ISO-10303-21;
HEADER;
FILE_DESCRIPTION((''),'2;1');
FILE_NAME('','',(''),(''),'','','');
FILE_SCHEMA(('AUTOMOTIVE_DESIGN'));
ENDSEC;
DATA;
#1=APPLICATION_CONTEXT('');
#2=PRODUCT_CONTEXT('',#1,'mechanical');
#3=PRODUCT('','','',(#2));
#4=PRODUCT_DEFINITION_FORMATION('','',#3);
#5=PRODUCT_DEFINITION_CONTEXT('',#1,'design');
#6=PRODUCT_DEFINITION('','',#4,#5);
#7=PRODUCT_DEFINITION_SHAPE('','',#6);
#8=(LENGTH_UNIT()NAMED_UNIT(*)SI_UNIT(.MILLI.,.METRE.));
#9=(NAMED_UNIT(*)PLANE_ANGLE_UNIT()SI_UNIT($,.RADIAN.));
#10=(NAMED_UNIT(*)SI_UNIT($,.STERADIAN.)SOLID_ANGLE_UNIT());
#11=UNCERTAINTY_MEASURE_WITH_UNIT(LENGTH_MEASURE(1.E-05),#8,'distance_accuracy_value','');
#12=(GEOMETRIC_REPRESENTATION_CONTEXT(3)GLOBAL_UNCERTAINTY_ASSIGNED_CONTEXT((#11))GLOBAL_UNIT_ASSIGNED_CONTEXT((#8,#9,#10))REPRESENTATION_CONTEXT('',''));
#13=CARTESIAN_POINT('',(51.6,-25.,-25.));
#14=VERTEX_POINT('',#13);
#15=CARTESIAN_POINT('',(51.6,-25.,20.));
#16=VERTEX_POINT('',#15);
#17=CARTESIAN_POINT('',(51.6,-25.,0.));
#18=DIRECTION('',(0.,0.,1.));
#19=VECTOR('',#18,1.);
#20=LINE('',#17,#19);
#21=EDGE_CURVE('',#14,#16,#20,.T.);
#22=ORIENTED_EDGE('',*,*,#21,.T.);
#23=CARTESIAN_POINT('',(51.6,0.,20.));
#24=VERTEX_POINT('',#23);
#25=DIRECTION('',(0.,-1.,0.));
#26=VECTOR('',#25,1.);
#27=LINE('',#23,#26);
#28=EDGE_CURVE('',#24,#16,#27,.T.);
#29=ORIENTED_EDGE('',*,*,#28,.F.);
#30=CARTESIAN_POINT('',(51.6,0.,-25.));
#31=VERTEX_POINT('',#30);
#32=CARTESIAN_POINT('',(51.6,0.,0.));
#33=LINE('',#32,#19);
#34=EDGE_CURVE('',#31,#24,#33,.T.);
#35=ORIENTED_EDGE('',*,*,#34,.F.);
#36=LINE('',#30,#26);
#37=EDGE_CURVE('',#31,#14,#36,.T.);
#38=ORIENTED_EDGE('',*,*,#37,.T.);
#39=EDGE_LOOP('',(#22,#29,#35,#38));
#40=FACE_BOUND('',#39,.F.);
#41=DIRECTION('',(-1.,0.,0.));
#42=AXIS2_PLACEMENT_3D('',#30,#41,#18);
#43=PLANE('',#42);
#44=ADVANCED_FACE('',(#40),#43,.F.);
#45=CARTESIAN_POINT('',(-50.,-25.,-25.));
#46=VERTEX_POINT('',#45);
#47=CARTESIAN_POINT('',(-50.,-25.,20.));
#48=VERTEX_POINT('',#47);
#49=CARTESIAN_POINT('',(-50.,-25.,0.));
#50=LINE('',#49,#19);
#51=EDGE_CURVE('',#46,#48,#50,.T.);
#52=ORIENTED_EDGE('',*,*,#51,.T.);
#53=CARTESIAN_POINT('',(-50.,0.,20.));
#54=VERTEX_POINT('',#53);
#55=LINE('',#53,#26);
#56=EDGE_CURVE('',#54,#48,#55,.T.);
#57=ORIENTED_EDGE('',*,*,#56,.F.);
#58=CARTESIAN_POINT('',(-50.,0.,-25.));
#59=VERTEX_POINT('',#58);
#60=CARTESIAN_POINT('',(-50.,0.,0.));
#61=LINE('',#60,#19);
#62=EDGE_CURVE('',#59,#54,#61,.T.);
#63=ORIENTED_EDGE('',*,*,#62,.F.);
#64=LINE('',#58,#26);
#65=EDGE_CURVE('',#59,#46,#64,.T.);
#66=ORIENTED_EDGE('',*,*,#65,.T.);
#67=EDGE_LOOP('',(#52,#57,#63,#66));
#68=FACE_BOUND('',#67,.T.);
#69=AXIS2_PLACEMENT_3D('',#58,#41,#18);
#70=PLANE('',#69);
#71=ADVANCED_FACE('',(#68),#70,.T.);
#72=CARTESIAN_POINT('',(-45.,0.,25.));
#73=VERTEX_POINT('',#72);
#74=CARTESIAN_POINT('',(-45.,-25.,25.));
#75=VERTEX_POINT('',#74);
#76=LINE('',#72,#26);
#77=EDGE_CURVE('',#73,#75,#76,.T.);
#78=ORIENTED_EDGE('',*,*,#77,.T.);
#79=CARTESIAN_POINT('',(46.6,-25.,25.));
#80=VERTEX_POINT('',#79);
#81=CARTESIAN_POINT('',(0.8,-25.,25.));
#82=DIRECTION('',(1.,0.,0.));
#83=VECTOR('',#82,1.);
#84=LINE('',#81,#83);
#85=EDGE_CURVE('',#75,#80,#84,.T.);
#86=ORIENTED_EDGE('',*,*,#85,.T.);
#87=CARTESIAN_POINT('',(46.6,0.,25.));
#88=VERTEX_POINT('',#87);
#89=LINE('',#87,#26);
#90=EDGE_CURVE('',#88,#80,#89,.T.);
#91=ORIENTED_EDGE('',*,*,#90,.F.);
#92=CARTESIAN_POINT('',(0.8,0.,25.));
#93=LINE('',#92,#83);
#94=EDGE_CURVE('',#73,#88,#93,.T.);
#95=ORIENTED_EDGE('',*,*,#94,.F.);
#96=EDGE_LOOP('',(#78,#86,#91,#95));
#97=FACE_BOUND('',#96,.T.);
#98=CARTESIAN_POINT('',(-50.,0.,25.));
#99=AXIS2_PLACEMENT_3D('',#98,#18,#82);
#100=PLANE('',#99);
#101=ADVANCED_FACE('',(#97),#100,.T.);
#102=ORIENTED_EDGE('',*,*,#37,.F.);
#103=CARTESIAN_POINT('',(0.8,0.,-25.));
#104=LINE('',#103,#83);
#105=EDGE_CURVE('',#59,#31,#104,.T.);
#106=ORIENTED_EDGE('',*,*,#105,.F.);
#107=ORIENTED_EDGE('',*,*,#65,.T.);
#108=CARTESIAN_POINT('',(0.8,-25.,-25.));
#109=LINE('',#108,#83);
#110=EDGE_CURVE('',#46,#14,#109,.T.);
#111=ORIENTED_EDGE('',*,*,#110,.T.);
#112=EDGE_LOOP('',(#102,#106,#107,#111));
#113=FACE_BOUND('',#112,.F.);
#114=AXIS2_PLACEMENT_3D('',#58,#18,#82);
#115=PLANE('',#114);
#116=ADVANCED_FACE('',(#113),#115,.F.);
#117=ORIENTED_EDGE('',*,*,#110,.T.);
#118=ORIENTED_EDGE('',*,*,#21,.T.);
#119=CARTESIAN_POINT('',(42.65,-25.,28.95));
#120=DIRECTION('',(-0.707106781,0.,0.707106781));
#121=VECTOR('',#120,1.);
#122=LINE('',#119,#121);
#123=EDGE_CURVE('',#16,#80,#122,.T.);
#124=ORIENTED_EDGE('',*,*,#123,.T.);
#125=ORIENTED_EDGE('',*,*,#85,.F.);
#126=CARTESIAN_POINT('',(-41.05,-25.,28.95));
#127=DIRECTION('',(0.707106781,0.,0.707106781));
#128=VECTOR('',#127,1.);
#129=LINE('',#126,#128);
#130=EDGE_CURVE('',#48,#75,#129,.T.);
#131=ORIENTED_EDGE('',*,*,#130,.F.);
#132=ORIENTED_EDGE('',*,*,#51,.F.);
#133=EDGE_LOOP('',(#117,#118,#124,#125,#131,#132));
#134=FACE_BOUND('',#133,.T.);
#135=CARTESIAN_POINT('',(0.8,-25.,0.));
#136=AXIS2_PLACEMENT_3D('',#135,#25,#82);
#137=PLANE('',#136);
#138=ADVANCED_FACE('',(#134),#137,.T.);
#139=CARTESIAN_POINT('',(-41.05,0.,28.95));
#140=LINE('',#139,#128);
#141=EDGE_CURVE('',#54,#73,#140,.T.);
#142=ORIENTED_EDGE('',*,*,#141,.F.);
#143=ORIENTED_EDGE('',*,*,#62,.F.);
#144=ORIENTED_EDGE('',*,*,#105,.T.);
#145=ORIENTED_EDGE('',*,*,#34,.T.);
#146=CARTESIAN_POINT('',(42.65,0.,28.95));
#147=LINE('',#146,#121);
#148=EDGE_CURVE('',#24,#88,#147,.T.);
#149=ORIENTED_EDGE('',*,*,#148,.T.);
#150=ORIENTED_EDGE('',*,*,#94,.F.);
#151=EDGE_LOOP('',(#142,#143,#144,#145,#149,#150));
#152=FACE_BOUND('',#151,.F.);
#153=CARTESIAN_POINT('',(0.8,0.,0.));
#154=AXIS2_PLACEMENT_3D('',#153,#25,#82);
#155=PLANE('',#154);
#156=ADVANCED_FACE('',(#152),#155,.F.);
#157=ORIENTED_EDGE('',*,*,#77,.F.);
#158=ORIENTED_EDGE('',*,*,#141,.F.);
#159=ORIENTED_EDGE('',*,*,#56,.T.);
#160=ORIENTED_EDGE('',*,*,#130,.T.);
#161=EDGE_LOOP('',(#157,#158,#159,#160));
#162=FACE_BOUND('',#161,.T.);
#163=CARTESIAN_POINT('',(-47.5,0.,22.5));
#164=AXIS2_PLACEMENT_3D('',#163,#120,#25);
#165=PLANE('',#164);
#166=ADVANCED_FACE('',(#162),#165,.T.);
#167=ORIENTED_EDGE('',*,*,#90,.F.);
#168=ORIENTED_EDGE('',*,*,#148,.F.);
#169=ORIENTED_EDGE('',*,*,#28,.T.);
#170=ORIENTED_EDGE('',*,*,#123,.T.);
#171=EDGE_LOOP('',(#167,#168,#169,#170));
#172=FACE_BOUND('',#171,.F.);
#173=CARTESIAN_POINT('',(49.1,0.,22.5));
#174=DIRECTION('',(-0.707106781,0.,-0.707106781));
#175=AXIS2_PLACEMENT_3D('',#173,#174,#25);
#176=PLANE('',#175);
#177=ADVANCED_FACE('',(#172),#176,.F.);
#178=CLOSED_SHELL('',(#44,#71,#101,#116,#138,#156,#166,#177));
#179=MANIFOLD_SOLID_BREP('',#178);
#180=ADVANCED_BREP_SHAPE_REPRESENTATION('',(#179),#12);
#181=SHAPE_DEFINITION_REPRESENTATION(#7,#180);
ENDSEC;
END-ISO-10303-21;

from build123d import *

# Parameters (mm, degrees)
F0_W     = 101.6
F0_H     = 50
F1_DEPTH = 25
F2_SIZE  = 5


with BuildPart() as f1:
    # F0 (on Front) → F1 (new body)
    with BuildSketch(Plane.XZ):
        with Locations((0.8, 0)):
            Rectangle(F0_W, F0_H)
    extrude(amount=F1_DEPTH)

    # F2
    f2_edges = [f1.edges().sort_by_distance(p)[0] for p in [
        (-50, -12.5, 25),
        (51.6, -12.5, 25),
    ]]
    chamfer(f2_edges, length=F2_SIZE)


solid = f1.part
